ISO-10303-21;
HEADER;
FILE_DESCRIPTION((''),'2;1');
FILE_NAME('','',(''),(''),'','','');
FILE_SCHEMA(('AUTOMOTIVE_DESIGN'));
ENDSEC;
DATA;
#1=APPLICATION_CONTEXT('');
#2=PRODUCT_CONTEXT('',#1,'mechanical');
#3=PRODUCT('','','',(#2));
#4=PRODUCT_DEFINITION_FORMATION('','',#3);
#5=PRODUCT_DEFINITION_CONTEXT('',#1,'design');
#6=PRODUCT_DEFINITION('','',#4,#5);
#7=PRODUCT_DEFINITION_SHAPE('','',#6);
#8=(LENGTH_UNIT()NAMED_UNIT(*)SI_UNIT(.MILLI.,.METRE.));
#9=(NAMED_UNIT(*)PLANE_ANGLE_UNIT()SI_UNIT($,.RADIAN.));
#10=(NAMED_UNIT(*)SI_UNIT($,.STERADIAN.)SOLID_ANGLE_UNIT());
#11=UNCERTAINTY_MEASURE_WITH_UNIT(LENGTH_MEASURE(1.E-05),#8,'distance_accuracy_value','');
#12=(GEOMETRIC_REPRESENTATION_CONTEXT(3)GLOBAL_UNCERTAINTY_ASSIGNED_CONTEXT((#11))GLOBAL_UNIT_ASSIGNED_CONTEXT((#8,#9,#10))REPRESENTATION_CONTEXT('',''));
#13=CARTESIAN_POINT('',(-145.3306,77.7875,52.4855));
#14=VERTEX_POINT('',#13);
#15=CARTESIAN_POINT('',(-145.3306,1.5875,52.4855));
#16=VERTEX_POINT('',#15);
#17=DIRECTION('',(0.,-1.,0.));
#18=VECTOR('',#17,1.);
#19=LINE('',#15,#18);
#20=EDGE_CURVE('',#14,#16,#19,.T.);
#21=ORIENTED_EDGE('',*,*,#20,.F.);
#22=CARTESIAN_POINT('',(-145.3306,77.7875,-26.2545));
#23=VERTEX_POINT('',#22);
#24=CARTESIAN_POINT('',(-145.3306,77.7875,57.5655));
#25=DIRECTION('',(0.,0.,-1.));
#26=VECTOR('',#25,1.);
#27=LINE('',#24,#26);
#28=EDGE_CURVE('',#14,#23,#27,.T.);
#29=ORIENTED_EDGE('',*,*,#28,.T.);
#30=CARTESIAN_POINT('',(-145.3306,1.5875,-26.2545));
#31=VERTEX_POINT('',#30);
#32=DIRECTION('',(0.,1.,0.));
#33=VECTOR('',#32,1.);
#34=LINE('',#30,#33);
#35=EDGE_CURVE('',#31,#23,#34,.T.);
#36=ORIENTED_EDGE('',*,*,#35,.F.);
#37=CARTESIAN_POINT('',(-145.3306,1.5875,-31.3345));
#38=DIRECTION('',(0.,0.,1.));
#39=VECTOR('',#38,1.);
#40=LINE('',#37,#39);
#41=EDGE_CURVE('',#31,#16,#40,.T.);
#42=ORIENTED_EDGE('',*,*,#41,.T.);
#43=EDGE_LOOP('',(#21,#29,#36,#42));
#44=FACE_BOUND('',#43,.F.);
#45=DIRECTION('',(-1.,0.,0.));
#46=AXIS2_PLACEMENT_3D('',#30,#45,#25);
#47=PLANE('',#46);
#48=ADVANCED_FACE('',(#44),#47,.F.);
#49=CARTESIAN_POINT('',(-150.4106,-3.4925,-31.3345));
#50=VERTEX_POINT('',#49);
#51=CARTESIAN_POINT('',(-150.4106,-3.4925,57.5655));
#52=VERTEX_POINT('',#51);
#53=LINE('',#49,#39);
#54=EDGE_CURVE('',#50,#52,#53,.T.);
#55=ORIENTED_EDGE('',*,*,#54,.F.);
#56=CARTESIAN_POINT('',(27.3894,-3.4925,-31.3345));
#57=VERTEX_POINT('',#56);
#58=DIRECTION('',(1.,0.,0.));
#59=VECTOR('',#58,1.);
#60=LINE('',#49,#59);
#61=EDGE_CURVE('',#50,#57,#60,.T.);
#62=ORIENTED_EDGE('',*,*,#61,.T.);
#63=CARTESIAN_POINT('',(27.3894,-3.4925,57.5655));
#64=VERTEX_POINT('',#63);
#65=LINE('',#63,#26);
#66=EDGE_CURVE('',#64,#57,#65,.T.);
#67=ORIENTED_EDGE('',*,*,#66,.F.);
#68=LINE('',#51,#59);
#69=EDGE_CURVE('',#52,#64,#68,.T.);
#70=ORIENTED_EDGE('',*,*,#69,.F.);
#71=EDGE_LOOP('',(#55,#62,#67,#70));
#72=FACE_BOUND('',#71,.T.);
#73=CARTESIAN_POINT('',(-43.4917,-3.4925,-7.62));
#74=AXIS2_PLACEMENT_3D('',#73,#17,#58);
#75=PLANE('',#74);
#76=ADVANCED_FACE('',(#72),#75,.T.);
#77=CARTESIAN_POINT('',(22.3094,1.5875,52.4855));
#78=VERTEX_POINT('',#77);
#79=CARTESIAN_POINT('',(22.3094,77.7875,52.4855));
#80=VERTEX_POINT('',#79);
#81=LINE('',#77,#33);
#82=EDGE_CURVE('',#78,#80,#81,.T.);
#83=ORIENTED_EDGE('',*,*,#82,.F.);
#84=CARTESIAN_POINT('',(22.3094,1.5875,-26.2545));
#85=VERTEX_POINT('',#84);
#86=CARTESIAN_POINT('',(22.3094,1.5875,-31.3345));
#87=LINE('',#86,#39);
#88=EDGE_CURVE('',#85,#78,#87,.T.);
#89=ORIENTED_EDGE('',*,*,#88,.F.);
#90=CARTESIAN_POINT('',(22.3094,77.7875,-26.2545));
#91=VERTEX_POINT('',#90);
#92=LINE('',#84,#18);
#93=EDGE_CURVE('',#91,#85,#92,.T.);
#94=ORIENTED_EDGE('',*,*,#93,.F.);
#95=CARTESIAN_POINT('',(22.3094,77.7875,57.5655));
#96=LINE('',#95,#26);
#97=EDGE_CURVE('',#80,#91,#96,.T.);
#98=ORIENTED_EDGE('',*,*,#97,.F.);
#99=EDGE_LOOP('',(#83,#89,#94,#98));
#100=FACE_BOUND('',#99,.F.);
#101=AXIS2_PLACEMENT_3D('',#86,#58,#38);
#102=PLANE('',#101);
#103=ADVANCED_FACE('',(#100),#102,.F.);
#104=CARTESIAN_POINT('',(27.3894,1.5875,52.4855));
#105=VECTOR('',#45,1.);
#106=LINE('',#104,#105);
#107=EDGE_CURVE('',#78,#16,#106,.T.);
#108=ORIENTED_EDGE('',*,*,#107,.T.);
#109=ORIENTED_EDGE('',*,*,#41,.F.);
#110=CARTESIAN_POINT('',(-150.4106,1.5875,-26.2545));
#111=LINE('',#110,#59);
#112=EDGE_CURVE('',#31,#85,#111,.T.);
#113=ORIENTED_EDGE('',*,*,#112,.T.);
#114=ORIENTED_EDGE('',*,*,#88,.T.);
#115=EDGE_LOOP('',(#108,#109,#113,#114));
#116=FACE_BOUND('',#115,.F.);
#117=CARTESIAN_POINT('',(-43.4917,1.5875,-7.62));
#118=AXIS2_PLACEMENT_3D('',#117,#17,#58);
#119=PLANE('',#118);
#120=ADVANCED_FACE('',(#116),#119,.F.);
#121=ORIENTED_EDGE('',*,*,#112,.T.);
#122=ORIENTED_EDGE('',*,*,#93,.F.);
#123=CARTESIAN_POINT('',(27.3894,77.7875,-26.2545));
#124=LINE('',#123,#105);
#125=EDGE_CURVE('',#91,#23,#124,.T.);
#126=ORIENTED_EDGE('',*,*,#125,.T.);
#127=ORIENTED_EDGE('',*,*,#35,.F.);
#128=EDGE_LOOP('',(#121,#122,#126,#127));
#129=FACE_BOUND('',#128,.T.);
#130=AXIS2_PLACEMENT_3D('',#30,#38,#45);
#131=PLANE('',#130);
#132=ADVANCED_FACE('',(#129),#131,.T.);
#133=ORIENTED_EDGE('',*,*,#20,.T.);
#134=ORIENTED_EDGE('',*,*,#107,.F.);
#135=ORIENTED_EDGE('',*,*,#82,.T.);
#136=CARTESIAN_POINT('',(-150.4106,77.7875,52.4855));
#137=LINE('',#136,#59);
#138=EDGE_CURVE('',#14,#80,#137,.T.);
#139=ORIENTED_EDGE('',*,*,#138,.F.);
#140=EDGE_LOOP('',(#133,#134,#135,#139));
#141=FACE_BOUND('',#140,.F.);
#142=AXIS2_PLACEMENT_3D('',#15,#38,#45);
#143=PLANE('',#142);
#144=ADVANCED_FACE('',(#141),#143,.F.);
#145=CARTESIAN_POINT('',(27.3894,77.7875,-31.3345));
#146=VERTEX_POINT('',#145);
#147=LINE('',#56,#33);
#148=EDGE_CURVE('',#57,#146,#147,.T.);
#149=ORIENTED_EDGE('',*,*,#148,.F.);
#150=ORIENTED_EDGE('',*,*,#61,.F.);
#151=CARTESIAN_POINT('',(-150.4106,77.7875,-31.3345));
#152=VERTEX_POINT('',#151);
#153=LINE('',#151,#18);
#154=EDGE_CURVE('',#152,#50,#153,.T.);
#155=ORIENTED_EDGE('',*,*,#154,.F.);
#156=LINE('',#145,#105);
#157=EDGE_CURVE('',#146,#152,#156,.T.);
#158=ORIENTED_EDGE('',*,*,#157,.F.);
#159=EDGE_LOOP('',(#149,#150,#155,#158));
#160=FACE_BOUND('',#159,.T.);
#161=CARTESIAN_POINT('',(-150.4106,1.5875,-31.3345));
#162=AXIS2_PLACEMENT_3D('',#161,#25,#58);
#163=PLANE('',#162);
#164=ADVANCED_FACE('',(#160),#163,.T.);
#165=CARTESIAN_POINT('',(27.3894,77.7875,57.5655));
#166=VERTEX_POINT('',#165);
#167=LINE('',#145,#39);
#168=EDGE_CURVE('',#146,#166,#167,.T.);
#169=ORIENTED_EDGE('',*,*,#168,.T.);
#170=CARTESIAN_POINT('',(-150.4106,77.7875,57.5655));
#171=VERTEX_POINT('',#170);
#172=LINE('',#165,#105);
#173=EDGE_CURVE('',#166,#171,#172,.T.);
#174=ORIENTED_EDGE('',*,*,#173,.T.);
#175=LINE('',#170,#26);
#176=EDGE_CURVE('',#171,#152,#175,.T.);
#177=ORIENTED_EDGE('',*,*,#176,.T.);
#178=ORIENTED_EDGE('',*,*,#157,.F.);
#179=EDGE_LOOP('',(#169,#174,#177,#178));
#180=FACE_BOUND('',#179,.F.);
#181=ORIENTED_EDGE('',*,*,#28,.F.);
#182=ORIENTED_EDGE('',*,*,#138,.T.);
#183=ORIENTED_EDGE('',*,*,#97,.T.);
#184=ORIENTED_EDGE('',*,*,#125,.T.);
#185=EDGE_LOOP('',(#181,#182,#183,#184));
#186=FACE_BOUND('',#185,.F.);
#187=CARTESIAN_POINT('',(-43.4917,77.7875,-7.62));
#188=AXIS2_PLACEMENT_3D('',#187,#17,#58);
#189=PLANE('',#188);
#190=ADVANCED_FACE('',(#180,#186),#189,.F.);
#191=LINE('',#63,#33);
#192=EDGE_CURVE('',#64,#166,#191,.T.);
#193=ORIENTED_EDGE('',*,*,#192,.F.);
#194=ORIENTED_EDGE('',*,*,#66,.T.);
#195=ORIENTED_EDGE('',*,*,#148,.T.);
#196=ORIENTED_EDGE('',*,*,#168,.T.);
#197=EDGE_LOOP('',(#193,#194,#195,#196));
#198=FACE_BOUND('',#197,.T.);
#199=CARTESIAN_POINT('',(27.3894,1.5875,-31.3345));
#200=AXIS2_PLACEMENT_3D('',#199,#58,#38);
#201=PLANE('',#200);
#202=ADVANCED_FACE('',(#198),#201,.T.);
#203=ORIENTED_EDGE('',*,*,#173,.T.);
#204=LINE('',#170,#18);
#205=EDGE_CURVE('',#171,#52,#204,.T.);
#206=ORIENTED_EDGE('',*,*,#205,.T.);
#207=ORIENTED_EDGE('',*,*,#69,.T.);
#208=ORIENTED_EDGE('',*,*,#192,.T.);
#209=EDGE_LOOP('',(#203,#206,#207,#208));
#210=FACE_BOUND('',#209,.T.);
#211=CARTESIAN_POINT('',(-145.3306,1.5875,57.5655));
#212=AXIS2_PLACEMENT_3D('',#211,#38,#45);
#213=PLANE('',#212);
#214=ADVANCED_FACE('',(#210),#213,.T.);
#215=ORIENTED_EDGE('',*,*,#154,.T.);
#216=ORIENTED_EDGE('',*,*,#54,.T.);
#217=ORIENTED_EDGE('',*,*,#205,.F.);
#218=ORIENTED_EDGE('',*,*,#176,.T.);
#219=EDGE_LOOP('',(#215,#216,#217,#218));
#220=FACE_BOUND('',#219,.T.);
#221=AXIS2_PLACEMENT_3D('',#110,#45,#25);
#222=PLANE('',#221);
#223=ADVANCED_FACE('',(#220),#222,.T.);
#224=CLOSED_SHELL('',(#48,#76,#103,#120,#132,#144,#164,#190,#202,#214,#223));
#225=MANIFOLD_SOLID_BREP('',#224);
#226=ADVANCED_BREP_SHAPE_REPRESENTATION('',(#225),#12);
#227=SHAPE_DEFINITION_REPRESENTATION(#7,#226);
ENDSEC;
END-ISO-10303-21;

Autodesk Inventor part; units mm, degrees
ref_plane "YZ Plane" through (0, 0, 0) normal (1, 0, 0) x (0, 1, 0)
ref_plane "XZ Plane" through (0, 0, 0) normal (0, 1, 0) x (-1, 0, 0)
ref_plane "Work Plane1" through (-43.4917, 1.5875, -7.62) normal (0, -1, 0) x (1, 0, 0)
sketch "Sketch3" plane through (-43.4917, 1.5875, -7.62) normal (0, -1, 0) x (1, 0, 0)
  line L0 (-106.9189, -23.7145) -> (70.8811, -23.7145)
  line L1 (70.8811, -23.7145) -> (70.8811, 65.1855)
  line L2 (70.8811, 65.1855) -> (-106.9189, 65.1855)
  line L3 (-106.9189, 65.1855) -> (-106.9189, -23.7145)
  line L4 (-106.9189, -23.7145) -> (70.8811, -23.7145)
  line L5 (70.8811, -23.7145) -> (70.8811, -18.6345)
  line L6 (70.8811, -18.6345) -> (-106.9189, -18.6345)
  line L7 (-106.9189, -18.6345) -> (-106.9189, -23.7145)
  line L8 (-106.9189, 65.1855) -> (-101.8389, 65.1855)
  line L9 (-101.8389, 65.1855) -> (-101.8389, -23.7145)
  line L10 (-101.8389, -23.7145) -> (-106.9189, -23.7145)
  line L11 (-106.9189, -23.7145) -> (-106.9189, 65.1855)
  line L12 (-106.9189, 65.1855) -> (70.8811, 65.1855)
  line L13 (70.8811, 65.1855) -> (70.8811, 60.1055)
  line L14 (70.8811, 60.1055) -> (-106.9189, 60.1055)
  line L15 (-106.9189, 60.1055) -> (-106.9189, 65.1855)
  line L16 (70.8811, -23.7145) -> (65.8011, -23.7145)
  line L17 (65.8011, -23.7145) -> (65.8011, 65.1855)
  line L18 (65.8011, 65.1855) -> (70.8811, 65.1855)
  line L19 (70.8811, 65.1855) -> (70.8811, -23.7145)
  point P0 (43.4917, 7.62)
  dimension "d1" = 177.8
  dimension "d2" = 88.9
  dimension "d3" = 5.08
  dimension "d4" = 5.08
  dimension "d5" = 5.08
  dimension "d6" = 5.08
extrude "Extrusion1" add sketch "Sketch3" against normal blind 76.2 contours L3 L2 L9 L14 | L9 L2 L17 L14 | L17 L2 L1 L14
extrude "Extrusion2" cut sketch "Sketch3" against normal blind 76.2 contours L3 L6 L9 L0 | L3 L14 L9 L6 | L3 L2 L9 L14
extrude "Extrusion3" cut sketch "Sketch3" against normal blind 76.2 contours L3 L6 L9 L0 | L9 L6 L17 L0 | L3 L14 L9 L6 | L17 L6 L1 L0 | L3 L2 L9 L14 | L17 L14 L1 L6 | L17 L2 L1 L14
extrude "Extrusion4" add sketch "Sketch3" against normal blind 76.2 contours L3 L6 L9 L0 | L3 L14 L9 L6 | L3 L2 L9 L14
extrude "Extrusion5" add sketch "Sketch3" against normal blind 76.2 contours L17 L6 L1 L0 | L17 L14 L1 L6 | L17 L2 L1 L14
extrude "Extrusion6" add sketch "Sketch3" against normal blind 76.2 contours L3 L6 L9 L0 | L9 L6 L17 L0 | L17 L6 L1 L0
extrude "Extrusion7" add sketch "Sketch3" along normal blind 5.08 contours L9 L14 L17 L6
extrude "Extrusion8" add sketch "Sketch3" along normal blind 5.08 contours L17 L6 L1 L0 | L17 L14 L1 L6 | L17 L2 L1 L14
extrude "Extrusion9" add sketch "Sketch3" along normal blind 5.08 contours L3 L6 L9 L0 | L9 L6 L17 L0 | L17 L6 L1 L0
extrude "Extrusion10" add sketch "Sketch3" along normal blind 5.08 contours L3 L6 L9 L0 | L3 L14 L9 L6 | L3 L2 L9 L14
extrude "Extrusion11" add sketch "Sketch3" along normal blind 5.08 contours L3 L2 L9 L14 | L9 L2 L17 L14 | L17 L2 L1 L14
properties part number "enclosure"
